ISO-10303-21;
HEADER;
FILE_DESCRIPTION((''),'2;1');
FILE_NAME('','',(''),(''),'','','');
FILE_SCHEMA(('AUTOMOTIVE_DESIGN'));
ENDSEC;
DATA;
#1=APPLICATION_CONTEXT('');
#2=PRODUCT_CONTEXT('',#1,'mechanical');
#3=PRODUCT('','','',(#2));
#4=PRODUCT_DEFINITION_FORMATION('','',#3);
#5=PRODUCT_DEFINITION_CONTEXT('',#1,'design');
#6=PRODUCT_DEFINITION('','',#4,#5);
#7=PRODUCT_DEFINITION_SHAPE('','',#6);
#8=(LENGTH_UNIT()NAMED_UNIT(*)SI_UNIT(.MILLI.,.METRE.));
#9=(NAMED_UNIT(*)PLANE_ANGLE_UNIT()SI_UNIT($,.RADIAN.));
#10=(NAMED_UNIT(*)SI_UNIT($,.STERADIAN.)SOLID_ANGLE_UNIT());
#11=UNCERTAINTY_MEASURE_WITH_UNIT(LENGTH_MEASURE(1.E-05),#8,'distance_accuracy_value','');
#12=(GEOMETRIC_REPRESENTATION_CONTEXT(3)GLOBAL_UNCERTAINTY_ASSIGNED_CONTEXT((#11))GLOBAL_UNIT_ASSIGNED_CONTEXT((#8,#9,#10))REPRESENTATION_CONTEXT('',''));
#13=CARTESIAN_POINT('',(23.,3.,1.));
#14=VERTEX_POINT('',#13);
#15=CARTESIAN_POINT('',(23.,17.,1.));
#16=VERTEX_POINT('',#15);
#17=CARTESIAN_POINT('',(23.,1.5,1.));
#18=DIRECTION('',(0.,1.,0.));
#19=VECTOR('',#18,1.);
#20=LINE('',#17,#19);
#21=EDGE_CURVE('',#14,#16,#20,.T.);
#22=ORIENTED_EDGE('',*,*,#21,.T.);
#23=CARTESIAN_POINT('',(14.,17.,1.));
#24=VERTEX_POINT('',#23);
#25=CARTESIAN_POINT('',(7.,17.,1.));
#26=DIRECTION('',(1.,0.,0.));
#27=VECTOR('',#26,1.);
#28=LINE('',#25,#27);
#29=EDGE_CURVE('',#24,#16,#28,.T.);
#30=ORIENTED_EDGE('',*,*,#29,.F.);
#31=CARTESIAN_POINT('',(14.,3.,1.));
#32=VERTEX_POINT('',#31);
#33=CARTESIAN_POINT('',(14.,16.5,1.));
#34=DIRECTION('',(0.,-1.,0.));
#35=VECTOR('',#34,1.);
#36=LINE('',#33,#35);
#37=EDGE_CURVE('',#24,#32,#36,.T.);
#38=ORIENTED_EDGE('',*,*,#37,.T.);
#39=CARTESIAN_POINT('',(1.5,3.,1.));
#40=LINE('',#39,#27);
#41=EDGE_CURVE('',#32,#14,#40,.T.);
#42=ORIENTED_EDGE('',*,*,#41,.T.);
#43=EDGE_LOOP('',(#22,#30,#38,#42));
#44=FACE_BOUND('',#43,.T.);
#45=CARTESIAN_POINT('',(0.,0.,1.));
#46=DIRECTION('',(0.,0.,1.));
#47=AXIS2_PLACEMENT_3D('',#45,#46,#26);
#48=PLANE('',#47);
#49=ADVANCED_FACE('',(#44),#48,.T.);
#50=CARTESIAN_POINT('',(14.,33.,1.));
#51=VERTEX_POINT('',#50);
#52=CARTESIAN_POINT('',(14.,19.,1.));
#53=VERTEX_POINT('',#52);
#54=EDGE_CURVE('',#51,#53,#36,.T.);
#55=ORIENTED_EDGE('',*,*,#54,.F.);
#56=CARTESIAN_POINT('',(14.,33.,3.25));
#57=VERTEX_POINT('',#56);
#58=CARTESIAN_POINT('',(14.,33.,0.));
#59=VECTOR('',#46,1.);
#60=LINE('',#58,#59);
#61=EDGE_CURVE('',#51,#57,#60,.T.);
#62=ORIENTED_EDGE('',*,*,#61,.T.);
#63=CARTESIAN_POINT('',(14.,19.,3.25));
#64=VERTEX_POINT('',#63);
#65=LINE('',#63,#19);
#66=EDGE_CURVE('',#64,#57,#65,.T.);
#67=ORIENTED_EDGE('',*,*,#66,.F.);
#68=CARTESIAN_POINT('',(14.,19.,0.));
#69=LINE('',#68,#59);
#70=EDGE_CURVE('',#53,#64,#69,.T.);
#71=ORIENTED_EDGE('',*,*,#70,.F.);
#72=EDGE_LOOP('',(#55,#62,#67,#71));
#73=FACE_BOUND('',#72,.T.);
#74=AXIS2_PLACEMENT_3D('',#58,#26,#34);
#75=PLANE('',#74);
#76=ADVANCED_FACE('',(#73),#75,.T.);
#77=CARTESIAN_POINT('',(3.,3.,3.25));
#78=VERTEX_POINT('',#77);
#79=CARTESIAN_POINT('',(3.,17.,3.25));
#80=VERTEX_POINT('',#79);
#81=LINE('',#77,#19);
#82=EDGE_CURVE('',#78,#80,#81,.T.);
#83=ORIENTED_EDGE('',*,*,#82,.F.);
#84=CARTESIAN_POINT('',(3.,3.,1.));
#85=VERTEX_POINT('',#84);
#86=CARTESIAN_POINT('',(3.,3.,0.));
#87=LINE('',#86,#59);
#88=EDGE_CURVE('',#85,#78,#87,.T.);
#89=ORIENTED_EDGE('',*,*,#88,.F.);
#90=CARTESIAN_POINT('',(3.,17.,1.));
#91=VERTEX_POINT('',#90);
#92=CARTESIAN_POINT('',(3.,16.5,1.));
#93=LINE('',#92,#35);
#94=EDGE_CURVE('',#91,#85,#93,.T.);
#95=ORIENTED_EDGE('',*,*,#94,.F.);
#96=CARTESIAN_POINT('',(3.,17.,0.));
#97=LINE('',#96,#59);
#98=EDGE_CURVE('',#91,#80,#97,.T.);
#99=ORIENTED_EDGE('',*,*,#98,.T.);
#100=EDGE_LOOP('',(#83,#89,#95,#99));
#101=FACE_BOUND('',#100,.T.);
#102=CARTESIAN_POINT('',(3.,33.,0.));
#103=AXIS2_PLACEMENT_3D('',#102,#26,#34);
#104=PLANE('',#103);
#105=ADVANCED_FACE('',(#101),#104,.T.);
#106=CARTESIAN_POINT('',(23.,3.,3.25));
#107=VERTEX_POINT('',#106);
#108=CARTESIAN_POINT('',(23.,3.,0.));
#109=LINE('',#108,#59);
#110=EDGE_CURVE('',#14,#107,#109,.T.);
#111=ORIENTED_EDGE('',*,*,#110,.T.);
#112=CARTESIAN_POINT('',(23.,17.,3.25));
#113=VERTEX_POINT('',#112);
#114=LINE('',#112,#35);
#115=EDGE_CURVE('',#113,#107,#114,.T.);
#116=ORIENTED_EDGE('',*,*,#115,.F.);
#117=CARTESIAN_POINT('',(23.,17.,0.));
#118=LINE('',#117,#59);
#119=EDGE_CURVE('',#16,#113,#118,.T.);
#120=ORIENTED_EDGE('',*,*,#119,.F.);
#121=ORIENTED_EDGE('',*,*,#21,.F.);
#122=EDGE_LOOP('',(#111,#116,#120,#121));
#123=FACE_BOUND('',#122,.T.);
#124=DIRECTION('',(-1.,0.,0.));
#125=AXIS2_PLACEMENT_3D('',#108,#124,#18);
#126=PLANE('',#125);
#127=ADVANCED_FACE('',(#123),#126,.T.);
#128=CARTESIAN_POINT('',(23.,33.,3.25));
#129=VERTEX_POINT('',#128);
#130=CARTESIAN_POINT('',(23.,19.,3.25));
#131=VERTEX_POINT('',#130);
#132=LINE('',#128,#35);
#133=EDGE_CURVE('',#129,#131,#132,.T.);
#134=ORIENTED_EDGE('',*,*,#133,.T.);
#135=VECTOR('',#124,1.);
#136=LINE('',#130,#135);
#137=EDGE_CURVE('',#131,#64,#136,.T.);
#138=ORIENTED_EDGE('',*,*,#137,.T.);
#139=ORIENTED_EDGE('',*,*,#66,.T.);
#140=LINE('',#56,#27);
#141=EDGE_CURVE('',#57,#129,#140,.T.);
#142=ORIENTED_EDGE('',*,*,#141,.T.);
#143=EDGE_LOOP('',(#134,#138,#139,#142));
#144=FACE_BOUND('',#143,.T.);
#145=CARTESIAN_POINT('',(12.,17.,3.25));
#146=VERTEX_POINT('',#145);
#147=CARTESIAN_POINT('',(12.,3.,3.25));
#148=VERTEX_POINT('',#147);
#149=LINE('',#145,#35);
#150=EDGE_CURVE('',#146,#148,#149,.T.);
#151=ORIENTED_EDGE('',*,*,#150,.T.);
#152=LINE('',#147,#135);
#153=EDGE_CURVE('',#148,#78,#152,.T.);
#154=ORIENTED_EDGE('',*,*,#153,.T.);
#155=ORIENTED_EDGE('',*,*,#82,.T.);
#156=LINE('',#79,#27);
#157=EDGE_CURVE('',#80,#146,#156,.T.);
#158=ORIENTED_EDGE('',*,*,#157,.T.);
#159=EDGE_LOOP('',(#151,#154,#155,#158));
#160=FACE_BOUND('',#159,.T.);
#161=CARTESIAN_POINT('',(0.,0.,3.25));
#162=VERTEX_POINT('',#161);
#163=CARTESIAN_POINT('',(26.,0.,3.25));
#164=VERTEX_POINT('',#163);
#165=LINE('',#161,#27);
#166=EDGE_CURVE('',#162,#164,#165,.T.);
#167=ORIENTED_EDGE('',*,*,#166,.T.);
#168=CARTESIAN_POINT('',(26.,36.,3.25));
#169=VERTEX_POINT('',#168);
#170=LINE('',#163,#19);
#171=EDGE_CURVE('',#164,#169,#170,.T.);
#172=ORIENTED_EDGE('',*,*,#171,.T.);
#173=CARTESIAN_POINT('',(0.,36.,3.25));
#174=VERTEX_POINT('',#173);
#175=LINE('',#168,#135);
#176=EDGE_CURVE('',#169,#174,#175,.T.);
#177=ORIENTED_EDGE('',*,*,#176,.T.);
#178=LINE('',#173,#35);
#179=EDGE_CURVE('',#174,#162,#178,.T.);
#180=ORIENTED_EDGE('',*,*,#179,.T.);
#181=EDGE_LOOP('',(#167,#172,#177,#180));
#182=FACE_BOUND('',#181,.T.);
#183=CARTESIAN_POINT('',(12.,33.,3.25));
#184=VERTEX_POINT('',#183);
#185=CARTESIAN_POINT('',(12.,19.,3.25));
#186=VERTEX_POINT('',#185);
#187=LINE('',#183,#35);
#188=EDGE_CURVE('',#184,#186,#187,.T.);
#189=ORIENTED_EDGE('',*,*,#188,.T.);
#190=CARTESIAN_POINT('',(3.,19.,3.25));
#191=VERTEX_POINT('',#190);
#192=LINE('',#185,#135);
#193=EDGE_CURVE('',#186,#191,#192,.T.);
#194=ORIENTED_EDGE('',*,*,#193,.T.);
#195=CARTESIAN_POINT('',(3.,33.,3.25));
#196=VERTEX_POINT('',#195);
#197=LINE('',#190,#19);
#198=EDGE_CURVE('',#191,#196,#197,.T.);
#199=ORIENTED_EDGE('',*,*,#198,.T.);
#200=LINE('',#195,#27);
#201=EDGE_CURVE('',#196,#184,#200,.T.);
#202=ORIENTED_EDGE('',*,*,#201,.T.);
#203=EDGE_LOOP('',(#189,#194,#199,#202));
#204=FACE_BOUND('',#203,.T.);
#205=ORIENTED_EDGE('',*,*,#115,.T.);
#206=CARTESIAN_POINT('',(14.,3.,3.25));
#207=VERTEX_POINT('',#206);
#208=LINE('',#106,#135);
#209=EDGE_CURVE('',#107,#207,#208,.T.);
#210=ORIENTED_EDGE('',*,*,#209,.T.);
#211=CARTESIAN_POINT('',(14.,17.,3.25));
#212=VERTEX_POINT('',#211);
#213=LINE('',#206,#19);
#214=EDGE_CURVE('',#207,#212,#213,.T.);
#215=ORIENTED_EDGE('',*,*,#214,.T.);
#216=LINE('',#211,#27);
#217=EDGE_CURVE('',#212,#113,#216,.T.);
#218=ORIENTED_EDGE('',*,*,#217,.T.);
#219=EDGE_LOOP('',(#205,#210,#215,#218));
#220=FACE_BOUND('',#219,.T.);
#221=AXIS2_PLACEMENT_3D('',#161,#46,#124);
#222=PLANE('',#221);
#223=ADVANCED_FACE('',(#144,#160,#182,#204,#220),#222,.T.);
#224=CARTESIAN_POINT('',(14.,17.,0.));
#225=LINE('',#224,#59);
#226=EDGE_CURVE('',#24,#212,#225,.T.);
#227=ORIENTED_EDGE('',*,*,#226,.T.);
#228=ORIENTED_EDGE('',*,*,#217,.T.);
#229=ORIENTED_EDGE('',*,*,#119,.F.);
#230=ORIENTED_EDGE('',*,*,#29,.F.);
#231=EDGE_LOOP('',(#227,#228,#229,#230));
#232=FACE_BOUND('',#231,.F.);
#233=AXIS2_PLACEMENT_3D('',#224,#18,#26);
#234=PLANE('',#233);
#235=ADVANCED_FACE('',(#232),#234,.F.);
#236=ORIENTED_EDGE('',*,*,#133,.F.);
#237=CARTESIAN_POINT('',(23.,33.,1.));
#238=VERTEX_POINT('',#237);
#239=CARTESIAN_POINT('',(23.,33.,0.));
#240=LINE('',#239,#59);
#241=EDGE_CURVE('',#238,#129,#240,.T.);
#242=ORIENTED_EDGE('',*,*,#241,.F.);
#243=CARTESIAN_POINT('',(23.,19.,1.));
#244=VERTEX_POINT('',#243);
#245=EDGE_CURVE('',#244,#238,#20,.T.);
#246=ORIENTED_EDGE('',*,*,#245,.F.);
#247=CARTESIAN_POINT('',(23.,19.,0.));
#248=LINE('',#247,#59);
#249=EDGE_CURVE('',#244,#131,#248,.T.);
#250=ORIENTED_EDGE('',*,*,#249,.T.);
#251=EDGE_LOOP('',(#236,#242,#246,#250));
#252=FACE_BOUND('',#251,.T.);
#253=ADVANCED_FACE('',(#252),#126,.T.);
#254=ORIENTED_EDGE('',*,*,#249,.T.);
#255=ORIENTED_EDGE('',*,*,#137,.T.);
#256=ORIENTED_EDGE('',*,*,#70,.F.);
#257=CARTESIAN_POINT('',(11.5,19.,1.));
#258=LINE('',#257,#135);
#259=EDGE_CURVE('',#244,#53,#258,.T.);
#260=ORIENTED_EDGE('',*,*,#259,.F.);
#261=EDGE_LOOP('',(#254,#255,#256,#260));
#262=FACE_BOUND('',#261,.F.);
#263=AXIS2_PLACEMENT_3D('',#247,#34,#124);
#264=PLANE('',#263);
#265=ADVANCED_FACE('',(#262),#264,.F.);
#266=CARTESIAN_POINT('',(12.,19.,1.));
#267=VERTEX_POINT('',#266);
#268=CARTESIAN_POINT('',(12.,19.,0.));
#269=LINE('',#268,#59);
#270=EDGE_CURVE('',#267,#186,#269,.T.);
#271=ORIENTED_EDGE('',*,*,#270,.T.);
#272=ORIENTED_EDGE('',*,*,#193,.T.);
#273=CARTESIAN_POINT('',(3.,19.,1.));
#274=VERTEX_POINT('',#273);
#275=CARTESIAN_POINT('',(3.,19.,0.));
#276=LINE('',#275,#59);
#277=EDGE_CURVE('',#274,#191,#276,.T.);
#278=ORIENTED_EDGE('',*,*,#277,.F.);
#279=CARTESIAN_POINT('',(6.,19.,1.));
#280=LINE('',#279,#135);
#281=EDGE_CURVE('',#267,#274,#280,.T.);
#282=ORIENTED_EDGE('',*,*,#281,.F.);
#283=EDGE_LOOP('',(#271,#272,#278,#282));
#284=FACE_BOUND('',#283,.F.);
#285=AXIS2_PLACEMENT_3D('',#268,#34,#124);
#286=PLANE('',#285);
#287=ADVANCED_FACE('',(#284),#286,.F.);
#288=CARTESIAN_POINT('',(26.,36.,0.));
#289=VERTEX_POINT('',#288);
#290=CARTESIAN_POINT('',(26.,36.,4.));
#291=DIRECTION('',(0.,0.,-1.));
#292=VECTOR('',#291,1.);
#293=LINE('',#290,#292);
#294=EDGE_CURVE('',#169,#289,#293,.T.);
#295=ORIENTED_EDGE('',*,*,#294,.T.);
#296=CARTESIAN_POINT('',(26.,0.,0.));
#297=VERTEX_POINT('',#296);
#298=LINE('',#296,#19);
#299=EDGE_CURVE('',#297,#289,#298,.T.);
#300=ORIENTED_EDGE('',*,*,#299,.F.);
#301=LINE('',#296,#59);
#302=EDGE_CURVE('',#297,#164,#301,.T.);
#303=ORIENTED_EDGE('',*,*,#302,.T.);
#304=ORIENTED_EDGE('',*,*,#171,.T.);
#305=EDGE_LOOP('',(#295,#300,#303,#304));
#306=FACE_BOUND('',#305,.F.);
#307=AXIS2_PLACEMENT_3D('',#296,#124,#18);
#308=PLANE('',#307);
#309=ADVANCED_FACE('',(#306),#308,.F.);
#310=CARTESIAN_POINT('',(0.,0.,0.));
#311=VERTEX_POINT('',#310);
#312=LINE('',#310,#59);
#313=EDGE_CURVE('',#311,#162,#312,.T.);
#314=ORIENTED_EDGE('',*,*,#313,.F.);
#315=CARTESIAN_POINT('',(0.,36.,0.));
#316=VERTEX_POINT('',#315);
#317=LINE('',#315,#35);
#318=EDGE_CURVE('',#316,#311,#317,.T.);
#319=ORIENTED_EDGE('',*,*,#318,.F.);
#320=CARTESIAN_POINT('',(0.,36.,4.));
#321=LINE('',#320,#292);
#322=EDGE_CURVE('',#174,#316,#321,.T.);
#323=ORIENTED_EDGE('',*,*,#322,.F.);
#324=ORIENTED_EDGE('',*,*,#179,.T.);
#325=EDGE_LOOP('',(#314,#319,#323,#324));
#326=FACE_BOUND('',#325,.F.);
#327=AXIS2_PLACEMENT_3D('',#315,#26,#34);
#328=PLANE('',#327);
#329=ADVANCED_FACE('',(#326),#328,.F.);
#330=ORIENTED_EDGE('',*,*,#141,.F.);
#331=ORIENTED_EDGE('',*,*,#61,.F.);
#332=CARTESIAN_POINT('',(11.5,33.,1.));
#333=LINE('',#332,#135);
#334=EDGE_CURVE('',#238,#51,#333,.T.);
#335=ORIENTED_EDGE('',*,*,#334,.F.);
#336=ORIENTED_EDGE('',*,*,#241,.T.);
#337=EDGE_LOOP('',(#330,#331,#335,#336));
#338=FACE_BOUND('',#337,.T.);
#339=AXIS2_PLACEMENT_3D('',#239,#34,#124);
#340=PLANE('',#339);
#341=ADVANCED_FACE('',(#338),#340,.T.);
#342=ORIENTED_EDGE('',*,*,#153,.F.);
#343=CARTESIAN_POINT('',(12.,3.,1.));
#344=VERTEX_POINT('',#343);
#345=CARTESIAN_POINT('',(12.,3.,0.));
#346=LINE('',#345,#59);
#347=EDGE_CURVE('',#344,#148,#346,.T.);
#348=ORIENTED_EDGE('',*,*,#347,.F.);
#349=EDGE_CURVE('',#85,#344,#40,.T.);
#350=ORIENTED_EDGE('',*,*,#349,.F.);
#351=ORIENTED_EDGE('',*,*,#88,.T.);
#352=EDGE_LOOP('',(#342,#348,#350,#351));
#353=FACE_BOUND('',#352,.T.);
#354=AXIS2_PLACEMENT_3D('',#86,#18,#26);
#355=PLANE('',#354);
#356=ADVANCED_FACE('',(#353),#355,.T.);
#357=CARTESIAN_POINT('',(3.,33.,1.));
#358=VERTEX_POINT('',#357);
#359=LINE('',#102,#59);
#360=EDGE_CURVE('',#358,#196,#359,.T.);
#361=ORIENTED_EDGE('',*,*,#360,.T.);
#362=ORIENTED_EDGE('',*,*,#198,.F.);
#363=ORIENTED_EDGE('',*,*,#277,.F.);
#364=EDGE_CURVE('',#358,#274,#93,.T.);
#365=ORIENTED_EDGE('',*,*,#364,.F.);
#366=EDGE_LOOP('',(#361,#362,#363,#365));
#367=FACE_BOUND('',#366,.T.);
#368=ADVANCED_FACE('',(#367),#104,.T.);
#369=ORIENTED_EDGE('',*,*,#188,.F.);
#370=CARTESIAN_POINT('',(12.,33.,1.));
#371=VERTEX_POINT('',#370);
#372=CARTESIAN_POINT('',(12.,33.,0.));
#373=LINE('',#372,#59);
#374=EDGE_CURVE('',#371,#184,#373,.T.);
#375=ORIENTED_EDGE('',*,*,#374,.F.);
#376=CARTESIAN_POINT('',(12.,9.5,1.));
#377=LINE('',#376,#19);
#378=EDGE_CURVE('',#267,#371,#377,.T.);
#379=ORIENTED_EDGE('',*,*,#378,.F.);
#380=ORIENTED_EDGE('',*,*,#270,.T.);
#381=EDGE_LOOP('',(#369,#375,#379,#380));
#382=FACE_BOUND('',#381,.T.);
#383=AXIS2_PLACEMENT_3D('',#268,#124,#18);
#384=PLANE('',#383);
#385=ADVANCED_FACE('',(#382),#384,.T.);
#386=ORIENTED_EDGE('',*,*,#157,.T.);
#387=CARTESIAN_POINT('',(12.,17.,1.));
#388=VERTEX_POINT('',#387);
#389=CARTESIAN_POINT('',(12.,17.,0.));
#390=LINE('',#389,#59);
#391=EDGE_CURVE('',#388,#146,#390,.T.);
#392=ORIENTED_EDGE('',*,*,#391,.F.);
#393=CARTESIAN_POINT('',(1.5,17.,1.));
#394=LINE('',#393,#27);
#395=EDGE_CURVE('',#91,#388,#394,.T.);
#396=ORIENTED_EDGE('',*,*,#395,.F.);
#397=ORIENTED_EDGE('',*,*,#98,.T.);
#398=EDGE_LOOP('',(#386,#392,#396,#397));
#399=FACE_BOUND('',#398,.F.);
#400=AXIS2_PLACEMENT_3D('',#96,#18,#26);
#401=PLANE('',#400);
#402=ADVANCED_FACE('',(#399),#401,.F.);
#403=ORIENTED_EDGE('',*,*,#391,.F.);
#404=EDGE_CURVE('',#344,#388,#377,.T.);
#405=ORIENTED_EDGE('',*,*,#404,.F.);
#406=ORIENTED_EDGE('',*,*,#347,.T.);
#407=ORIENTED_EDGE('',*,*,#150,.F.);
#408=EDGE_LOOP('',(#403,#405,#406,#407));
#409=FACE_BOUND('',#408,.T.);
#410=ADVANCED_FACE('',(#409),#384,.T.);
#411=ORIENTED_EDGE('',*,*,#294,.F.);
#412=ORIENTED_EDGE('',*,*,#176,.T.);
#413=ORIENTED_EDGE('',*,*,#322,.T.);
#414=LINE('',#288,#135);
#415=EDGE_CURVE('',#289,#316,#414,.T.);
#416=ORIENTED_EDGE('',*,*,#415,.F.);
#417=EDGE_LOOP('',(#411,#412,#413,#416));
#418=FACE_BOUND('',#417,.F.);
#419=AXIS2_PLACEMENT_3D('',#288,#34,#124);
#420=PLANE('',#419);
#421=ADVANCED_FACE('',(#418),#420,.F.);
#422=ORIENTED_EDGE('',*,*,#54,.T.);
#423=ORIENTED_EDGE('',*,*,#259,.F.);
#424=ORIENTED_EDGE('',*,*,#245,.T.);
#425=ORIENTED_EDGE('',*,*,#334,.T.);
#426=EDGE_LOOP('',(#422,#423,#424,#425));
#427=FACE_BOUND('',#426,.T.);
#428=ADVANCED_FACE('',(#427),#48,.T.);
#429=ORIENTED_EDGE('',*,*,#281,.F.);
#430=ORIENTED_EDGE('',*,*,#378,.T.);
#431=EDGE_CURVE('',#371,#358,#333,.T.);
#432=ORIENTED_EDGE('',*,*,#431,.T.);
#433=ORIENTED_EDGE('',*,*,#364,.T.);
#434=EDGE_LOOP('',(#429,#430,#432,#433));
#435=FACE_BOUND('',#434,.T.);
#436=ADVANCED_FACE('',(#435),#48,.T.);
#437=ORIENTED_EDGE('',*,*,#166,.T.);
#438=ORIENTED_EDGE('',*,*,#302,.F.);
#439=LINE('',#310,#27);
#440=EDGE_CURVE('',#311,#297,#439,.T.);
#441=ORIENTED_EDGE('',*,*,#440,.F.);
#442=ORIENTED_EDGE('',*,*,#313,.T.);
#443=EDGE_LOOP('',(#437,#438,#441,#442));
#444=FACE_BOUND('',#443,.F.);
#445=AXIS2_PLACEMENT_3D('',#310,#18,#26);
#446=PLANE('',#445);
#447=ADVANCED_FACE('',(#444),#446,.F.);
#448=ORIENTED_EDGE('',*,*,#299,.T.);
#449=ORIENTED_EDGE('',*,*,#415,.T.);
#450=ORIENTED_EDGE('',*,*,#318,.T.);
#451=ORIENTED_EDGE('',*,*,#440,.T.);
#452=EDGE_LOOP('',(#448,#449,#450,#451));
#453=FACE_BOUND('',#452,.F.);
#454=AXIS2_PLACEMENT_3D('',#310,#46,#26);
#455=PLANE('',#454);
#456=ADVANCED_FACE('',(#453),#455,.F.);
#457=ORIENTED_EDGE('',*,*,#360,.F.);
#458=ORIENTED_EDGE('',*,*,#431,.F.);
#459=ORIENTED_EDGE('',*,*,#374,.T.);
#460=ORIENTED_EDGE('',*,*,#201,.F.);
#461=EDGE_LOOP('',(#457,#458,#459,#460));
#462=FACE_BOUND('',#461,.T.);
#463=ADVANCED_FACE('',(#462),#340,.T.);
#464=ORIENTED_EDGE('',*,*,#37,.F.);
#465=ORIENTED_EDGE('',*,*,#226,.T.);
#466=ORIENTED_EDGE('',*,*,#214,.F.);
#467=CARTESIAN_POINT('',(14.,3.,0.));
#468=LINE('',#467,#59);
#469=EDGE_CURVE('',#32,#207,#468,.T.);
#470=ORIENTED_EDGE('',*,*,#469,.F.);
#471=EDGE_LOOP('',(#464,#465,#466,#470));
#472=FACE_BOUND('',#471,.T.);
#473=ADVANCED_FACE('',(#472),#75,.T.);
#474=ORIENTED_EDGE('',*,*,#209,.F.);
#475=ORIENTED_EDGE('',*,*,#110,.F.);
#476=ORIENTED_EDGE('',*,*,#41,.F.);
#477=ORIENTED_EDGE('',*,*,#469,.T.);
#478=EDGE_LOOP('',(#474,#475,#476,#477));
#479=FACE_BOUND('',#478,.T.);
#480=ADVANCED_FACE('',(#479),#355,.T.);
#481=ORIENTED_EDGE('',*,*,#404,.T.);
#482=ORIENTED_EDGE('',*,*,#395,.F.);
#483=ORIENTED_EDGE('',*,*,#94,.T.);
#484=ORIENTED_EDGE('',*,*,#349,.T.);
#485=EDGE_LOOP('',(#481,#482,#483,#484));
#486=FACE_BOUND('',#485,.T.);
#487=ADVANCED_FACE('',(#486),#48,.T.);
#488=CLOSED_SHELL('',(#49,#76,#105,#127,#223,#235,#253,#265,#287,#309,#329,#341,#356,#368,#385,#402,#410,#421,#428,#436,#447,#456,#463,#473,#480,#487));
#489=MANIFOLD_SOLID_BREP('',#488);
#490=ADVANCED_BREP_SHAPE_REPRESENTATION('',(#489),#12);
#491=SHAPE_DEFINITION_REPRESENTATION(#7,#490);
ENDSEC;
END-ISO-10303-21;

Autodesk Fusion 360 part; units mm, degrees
sketch "Sketch1" plane through (0, 0, 0) normal (0, 0, 1) x (1, 0, 0)
  line L0 (0, 0) -> (26, 0)
  line L1 (26, 0) -> (26, 36)
  line L2 (26, 36) -> (0, 36)
  line L3 (0, 36) -> (0, 0)
  line L4 (3, 3) -> (23, 3)
  line L5 (3, 33) -> (3, 3)
  line L6 (23, 3) -> (23, 33)
  line L7 (23, 33) -> (3, 33)
  dimension "d2" = 30
sketch "Sketch3" plane through (0, 0, 0) normal (0, 0, 1) x (1, 0, 0)
  line L0 (12, 33) -> (14, 33)
  line L1 (14, 33) -> (14, 3)
  line L2 (14, 3) -> (12, 3)
  line L3 (12, 3) -> (12, 33)
  line L4 (23, 19) -> (3, 19)
  line L5 (3, 19) -> (3, 17)
  line L6 (3, 17) -> (23, 17)
  line L7 (23, 17) -> (23, 19)
extrude "Extrude1" add sketch "Sketch1" along normal blind 4
extrude "Extrude5" add sketch "Sketch3" along normal blind 4 contours L0 L1 L3 L4 | L1 L3 L4 L6 | L1 L2 L3 L6
extrude "Extrude6" add sketch "Sketch3" along normal blind 4 contours L3 L4 L5 L6
extrude "Extrude7" add sketch "Sketch3" along normal blind 4 contours L1 L4 L6 L7
sketch "Sketch5" plane through (0, 0, 0) normal (0, 0, 1) x (1, 0, 0)
  line L0 (26, 36) -> (0, 36)
  line L1 (0, 0) -> (26, 0)
  line L2 (0, 36) -> (0, 0)
  line L3 (26, 0) -> (26, 36)
extrude "Extrude9" add sketch "Sketch5" along normal blind 1
sketch "Sketch6" plane through (0, 0, 4) normal (0, 0, 1) x (-1, 0, 0)
  line L0 (-14, -19) -> (-14, -33)
  line L1 (-14, -33) -> (-23, -33)
  line L2 (-23, -33) -> (-23, -19)
  line L3 (-23, -19) -> (-14, -19)
  line L4 (-3, -19) -> (-3, -33)
  line L5 (-3, -33) -> (-12, -33)
  line L6 (-12, -33) -> (-12, -19)
  line L7 (-12, -19) -> (-3, -19)
  line L8 (-14, -17) -> (-23, -17)
  line L9 (-23, -17) -> (-23, -3)
  line L10 (-23, -3) -> (-14, -3)
  line L11 (-14, -3) -> (-14, -17)
  line L12 (-3, -17) -> (-12, -17)
  line L13 (-12, -17) -> (-12, -3)
  line L14 (-12, -3) -> (-3, -3)
  line L15 (-3, -3) -> (-3, -17)
  line L16 (0, -36) -> (0, 0)
  line L17 (0, 0) -> (-26, 0)
  line L18 (-26, 0) -> (-26, -36)
  line L19 (-26, -36) -> (0, -36)
extrude "Extrude10" cut sketch "Sketch6" against normal blind 0.75
extrude "Extrude8" [suppressed]
extrude "Extrude4" [suppressed]
extrude "Extrude3" [suppressed]
extrude "Extrude2" [suppressed]
